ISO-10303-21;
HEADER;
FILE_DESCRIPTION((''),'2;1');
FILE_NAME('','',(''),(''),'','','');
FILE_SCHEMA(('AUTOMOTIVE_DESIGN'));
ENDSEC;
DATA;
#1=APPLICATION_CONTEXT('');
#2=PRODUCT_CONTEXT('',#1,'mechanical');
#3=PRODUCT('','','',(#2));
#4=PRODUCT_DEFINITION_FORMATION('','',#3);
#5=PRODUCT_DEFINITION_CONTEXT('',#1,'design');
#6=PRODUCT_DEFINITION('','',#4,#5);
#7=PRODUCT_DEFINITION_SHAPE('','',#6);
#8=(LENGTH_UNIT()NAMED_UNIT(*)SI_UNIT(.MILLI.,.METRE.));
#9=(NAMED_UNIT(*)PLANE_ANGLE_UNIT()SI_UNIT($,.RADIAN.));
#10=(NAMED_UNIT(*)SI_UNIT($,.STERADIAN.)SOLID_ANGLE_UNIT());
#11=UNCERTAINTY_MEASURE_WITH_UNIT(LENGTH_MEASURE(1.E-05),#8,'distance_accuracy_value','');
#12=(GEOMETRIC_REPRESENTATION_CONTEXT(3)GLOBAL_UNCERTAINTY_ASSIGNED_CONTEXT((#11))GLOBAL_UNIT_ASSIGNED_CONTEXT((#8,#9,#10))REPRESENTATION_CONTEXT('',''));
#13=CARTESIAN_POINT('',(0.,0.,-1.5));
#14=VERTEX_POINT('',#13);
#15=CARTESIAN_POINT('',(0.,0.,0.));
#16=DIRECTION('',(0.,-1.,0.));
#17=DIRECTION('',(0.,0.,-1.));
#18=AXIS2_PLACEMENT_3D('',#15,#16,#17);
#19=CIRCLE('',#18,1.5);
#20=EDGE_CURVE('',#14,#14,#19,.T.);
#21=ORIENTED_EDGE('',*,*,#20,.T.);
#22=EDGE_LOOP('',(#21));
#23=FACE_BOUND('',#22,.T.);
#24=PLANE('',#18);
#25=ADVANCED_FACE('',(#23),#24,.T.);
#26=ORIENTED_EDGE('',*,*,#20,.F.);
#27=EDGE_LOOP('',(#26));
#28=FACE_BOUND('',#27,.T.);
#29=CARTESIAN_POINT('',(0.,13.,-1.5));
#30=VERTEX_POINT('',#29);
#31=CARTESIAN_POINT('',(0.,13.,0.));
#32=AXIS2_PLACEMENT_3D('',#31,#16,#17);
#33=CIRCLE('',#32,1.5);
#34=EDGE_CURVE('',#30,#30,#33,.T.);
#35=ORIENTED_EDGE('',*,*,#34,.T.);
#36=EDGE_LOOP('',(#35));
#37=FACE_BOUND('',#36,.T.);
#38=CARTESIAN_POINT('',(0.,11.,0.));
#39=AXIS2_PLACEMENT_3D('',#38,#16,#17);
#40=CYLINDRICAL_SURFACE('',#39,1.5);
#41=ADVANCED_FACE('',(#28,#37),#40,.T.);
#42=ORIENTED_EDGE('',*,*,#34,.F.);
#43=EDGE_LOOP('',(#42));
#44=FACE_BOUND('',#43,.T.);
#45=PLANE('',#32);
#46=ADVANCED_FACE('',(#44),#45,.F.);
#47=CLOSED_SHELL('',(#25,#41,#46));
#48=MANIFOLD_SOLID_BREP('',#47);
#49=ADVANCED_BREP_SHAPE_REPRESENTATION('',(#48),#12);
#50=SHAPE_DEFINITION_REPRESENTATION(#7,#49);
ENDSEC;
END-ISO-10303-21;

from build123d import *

# Parameters (mm, degrees)
SKETCH1_W   = 1.5
SKETCH1_H   = 11
SKETCH1_H_2 = 2


with BuildPart() as part:
    # Sketch1 → Revolve1 (revolve)
    with BuildSketch(Plane.XY, mode=Mode.PRIVATE) as revolve1_sk:
        with Locations((0.75, 5.5)):
            Rectangle(SKETCH1_W, SKETCH1_H)
        with Locations((0.75, 12)):
            Rectangle(SKETCH1_W, SKETCH1_H_2)
    revolve(revolve1_sk.sketch.rotate(Axis((0, 11, 0), (0, 1, 0)), 90), axis=Axis((0, 11, 0), (0, 1, 0)))


solid = part.part
